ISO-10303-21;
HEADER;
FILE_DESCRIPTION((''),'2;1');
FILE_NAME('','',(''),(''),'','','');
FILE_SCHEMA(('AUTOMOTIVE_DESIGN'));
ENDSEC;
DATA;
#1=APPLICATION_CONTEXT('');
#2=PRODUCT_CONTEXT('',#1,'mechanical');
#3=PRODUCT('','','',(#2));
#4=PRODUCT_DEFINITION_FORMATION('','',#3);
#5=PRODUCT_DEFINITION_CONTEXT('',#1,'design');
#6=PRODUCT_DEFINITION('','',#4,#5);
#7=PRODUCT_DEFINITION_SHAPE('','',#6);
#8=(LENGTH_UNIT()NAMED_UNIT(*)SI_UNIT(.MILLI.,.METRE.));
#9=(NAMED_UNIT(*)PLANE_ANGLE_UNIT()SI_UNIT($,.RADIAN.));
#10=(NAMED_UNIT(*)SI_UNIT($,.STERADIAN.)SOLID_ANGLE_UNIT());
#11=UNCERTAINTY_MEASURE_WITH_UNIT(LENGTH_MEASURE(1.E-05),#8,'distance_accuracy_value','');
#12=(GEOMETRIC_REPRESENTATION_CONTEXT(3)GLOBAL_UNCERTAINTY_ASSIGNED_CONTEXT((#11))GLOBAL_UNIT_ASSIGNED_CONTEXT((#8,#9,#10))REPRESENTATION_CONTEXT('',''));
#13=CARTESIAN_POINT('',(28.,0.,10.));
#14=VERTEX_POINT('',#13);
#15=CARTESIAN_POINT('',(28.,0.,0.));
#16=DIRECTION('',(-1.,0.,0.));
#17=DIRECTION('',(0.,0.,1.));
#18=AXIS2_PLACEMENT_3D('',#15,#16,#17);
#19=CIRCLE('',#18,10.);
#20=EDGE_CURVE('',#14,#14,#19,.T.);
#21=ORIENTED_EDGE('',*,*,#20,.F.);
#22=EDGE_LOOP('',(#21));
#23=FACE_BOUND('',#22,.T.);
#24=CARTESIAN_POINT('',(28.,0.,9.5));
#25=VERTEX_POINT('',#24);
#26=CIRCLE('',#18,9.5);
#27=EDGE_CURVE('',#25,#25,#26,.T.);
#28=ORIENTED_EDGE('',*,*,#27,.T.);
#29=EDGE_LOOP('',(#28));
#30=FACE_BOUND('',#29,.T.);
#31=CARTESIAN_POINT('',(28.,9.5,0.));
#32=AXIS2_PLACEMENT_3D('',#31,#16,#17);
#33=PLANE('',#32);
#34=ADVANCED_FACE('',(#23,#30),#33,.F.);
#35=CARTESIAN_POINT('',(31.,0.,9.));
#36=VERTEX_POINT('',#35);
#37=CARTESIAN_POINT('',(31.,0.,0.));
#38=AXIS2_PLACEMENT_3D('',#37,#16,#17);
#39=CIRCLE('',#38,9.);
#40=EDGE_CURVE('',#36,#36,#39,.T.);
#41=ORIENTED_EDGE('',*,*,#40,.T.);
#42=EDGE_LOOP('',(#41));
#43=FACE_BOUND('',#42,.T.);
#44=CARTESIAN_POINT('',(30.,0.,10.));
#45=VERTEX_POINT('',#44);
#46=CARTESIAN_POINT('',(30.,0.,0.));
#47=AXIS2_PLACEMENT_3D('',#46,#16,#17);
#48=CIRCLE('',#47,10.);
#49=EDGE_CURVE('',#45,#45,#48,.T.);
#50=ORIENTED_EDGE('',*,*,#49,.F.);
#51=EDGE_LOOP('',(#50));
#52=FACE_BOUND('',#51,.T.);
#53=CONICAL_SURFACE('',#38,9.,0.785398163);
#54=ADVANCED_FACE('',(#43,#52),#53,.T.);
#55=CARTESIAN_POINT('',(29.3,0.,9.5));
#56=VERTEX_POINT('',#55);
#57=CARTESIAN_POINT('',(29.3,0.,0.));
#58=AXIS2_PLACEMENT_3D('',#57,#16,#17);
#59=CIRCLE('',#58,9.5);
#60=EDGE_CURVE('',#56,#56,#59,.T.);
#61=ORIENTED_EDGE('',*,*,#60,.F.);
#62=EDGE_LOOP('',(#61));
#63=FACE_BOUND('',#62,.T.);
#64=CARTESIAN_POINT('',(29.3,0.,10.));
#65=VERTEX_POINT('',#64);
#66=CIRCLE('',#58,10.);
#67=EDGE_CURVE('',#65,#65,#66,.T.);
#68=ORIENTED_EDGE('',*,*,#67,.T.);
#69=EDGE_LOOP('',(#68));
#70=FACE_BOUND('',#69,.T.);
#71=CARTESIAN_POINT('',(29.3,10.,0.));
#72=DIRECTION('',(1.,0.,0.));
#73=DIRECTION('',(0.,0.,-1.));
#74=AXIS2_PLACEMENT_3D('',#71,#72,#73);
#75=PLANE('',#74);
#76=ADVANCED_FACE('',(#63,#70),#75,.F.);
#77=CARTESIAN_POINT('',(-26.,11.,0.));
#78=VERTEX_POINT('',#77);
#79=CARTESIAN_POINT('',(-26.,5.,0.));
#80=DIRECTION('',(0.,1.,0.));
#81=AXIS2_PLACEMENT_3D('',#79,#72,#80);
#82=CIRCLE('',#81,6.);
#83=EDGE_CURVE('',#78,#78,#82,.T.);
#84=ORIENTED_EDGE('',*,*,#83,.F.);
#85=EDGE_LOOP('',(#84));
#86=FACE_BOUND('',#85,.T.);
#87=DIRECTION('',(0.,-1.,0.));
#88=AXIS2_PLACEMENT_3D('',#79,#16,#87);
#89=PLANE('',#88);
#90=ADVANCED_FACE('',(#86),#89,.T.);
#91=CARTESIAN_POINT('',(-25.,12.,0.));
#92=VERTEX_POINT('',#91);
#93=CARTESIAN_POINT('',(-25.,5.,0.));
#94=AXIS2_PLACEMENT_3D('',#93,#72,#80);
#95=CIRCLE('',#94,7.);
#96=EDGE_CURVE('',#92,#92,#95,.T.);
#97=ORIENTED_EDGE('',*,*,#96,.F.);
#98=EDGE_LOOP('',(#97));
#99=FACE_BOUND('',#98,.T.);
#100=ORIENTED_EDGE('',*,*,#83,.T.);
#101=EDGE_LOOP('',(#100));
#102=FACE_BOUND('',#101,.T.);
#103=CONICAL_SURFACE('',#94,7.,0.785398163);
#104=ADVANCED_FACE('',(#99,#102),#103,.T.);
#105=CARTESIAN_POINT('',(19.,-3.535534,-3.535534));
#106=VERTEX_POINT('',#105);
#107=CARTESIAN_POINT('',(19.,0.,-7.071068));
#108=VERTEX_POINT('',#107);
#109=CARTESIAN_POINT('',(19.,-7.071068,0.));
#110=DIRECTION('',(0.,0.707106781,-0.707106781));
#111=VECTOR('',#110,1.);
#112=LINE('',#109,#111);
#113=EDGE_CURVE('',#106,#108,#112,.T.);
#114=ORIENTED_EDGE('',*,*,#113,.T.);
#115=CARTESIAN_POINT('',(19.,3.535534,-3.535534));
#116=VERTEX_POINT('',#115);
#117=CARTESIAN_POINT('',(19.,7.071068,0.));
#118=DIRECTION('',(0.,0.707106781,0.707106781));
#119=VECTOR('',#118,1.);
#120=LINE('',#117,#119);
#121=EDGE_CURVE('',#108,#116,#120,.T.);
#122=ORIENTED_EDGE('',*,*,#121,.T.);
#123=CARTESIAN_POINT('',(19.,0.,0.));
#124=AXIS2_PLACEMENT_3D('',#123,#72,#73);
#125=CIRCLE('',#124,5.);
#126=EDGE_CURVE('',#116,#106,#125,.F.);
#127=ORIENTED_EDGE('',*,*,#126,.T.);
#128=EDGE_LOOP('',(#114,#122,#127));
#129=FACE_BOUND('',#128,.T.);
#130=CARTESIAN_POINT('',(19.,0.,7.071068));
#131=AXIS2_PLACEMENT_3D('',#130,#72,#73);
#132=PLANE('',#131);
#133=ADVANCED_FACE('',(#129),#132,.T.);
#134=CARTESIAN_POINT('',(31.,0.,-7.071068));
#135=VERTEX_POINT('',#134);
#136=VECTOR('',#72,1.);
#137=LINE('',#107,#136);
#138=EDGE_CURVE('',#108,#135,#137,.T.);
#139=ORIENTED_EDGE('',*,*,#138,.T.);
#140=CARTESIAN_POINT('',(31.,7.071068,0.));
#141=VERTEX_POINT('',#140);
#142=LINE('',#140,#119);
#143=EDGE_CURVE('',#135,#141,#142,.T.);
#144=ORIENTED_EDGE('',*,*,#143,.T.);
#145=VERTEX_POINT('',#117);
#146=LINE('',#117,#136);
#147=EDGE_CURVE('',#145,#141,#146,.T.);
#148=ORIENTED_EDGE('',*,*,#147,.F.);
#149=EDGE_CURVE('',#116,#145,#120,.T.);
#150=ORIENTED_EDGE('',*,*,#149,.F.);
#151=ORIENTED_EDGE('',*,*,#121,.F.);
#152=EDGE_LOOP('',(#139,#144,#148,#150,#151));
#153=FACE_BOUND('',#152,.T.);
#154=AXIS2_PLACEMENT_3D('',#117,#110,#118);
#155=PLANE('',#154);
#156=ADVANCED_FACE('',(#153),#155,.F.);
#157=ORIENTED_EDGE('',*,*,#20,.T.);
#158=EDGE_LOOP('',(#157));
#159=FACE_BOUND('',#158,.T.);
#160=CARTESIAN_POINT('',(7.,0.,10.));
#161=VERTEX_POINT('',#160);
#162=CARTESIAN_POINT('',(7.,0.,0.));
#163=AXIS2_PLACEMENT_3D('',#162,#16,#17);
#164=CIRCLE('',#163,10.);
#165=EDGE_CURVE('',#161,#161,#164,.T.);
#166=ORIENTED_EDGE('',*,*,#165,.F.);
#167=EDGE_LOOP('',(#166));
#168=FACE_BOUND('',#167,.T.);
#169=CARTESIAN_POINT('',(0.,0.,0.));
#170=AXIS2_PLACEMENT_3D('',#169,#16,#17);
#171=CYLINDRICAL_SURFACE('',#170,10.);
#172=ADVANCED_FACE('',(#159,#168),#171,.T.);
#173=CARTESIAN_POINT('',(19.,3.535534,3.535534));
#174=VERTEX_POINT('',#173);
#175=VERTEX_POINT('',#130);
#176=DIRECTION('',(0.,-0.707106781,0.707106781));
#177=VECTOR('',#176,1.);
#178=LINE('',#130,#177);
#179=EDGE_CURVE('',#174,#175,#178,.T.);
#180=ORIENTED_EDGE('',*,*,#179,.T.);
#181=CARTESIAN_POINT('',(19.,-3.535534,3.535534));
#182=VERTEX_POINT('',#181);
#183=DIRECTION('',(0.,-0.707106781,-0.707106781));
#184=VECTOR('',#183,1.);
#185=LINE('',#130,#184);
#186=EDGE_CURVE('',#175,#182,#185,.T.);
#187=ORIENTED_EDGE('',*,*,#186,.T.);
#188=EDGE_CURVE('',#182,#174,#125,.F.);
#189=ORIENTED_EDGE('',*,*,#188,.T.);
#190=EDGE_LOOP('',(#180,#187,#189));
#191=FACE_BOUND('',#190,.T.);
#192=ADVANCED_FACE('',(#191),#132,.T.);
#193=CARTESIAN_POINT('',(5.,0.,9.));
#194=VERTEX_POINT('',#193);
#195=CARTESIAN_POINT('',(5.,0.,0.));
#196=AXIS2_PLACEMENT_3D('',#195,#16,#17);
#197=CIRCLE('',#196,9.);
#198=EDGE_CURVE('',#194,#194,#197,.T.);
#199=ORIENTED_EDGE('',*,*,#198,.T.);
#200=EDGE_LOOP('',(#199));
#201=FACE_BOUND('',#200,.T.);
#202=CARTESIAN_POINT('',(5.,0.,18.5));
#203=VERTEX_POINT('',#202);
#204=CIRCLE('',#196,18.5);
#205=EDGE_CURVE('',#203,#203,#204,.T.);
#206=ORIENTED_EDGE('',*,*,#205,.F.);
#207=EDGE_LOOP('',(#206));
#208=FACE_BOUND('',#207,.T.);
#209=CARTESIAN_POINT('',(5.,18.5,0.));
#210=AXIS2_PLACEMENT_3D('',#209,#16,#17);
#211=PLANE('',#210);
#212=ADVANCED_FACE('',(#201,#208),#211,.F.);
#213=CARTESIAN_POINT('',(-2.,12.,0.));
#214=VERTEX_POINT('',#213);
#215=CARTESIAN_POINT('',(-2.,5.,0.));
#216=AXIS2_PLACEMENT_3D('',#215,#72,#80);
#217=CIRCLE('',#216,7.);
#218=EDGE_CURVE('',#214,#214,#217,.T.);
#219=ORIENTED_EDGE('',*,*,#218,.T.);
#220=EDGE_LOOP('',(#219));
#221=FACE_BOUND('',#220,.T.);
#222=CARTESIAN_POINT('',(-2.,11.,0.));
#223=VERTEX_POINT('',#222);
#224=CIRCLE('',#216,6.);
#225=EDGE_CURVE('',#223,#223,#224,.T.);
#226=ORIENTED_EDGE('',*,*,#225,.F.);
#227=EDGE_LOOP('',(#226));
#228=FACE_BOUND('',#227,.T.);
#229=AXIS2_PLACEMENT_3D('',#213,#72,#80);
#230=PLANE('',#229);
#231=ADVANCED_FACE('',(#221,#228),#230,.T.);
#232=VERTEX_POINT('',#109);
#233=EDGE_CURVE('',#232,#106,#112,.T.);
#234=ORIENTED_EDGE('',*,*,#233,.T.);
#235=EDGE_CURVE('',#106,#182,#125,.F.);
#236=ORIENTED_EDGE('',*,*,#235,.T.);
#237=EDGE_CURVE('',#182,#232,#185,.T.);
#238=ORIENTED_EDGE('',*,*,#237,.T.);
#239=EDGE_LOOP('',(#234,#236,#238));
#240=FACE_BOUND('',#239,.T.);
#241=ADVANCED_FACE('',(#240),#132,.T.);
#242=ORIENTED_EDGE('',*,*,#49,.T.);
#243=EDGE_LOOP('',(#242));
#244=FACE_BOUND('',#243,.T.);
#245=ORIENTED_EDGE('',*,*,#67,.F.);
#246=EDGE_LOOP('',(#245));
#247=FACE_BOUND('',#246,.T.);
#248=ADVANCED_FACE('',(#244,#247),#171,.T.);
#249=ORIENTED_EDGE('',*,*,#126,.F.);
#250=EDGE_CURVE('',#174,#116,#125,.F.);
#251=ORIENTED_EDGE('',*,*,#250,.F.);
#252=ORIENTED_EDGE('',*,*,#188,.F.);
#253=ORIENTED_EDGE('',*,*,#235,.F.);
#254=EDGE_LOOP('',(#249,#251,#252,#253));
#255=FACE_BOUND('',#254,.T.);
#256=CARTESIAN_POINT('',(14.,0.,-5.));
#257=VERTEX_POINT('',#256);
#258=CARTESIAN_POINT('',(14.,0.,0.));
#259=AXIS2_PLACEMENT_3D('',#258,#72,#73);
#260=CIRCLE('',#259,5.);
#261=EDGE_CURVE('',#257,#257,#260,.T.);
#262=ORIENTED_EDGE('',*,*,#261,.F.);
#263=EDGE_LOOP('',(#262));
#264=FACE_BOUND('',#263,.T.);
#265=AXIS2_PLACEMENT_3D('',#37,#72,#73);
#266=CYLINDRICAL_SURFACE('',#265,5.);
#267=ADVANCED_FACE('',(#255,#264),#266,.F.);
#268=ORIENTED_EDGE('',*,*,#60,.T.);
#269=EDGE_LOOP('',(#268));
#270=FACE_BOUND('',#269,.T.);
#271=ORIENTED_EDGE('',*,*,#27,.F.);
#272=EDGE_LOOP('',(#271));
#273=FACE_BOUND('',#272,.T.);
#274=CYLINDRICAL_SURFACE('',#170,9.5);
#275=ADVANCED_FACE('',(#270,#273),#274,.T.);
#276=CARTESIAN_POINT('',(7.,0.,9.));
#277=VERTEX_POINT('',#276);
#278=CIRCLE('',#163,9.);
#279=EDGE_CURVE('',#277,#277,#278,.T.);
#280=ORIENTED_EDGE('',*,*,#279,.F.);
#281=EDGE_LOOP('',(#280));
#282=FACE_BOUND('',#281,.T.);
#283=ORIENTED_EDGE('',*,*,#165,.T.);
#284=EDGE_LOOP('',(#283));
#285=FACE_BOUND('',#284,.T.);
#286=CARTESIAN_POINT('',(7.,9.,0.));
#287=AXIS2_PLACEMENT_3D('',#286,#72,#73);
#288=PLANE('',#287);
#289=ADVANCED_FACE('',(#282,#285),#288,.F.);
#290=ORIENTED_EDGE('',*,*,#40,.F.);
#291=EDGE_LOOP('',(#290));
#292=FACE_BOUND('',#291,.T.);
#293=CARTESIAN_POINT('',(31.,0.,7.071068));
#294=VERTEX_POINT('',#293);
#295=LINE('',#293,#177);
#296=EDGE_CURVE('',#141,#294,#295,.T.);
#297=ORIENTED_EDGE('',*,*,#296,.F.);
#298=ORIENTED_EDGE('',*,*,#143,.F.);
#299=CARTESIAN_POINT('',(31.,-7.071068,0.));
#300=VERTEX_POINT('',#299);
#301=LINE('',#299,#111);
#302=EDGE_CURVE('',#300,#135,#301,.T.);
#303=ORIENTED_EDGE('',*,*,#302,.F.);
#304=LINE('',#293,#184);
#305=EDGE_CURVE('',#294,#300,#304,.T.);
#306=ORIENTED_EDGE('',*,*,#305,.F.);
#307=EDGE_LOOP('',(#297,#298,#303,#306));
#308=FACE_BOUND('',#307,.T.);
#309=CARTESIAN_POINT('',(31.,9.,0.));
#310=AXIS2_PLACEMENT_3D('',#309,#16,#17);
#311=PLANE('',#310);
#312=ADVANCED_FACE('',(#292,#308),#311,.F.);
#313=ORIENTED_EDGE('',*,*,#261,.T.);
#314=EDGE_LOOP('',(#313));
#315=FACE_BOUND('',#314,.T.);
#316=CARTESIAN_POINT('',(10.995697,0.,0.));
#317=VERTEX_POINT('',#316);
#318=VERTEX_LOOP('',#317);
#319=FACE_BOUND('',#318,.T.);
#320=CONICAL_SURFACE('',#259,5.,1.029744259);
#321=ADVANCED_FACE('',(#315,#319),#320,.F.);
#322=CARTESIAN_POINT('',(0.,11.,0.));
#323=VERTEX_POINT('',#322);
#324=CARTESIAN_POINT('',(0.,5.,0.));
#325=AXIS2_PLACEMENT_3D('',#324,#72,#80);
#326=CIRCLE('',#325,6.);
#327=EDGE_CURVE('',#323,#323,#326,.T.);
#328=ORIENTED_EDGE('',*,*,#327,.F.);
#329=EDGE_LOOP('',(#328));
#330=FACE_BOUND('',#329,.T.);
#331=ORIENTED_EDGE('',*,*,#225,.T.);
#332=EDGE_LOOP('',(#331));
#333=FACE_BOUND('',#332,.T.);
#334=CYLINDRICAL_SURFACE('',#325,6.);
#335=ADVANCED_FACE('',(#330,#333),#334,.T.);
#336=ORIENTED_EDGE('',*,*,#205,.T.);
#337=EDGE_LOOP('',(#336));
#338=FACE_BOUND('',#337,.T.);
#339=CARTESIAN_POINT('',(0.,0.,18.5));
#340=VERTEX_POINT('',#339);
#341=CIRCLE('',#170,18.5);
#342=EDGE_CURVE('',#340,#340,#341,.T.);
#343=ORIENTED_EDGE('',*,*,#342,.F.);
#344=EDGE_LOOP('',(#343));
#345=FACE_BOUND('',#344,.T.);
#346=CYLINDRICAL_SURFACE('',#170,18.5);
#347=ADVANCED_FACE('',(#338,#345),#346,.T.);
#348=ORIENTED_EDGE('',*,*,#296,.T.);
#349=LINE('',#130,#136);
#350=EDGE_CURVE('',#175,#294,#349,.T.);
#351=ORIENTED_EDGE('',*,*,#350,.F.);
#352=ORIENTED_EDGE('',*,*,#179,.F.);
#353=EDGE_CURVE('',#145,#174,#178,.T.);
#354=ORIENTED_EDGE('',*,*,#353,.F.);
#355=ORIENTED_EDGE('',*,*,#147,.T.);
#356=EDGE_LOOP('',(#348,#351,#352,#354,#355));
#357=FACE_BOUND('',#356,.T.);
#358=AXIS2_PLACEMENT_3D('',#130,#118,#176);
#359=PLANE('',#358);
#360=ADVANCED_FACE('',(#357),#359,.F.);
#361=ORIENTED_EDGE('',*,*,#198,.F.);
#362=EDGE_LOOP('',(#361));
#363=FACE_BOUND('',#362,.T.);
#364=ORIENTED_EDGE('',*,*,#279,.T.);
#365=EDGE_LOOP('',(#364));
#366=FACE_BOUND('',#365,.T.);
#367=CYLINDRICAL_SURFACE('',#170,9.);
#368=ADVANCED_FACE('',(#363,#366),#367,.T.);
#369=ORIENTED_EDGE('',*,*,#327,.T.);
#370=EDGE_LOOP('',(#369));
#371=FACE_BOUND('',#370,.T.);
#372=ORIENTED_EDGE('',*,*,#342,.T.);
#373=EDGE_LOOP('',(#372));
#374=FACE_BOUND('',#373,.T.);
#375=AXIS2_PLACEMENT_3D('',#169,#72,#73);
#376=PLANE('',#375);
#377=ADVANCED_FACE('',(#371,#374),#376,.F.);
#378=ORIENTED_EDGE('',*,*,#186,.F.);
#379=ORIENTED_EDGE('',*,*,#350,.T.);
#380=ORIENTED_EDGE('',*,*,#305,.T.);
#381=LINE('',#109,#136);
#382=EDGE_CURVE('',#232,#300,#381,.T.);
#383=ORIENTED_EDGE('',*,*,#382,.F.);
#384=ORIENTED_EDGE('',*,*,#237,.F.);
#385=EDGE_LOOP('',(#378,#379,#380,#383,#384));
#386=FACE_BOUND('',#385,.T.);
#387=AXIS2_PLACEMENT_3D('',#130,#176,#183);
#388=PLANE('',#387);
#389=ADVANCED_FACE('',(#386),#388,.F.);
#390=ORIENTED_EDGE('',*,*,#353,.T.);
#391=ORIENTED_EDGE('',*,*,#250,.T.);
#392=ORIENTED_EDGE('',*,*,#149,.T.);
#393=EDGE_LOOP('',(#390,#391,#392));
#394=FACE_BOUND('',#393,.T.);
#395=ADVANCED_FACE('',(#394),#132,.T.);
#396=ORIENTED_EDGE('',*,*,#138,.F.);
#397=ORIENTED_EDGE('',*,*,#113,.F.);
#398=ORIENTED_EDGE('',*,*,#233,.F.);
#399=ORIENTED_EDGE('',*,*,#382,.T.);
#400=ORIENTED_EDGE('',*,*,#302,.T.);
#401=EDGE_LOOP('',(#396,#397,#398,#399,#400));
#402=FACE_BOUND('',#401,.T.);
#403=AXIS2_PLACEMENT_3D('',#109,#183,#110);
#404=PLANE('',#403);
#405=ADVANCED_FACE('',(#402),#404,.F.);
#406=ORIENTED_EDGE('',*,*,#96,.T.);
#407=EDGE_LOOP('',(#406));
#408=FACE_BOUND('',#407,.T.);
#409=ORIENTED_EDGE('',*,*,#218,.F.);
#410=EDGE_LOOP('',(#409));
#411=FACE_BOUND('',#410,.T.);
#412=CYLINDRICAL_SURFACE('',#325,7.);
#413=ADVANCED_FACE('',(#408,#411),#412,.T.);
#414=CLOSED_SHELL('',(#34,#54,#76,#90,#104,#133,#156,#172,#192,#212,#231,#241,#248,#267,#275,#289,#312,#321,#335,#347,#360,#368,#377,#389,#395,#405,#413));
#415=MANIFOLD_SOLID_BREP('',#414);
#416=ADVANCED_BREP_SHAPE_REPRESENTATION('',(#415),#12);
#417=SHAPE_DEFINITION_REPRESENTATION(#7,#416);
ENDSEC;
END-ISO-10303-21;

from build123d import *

# Parameters (mm, degrees)
PER_AGE5_D              = 10
PER_AGE5_DEPTH          = 17
PER_AGE5_TIP            = 3.004303095
ENL_V_MAT_EXTRU_1_DEPTH = 12


with BuildPart() as part:
    # Esquisse1 → Base-Révolution (revolve)
    with BuildSketch(Plane.XY, mode=Mode.PRIVATE) as base_r_volution_sk:
        Polygon((0, 0), (0, 18.5), (5, 18.5), (5, 9), (7, 9), (7, 10), (28, 10), (28, 9.5), (29.3, 9.5), (29.3, 10), (30, 10), (31, 9), (31, 0), align=None)
    revolve(base_r_volution_sk.sketch.rotate(Axis((0, 0, 0), (1, 0, 0)), 90), axis=Axis((0, 0, 0), (1, 0, 0)))

    # Esquisse2 → Boss.-Révol.1 (revolve)
    with BuildSketch(Plane.XY):
        Polygon((-26, 5), (-26, 11), (-25, 12), (-2, 12), (-2, 11), (0, 11), (0, 5), align=None)
    revolve(axis=Axis((0, 5, 0), (-1, 0, 0)))

    # Perçage5
    with Locations(Plane(origin=(31, 0, 0), x_dir=(0, 0, -1), z_dir=(1, 0, 0))):
        with Locations((0, 0)):
            Hole(PER_AGE5_D / 2, depth=PER_AGE5_DEPTH)
            with Locations((0, 0, -(PER_AGE5_DEPTH + PER_AGE5_TIP / 2))):  # 118° drill point
                Cone(0, PER_AGE5_D / 2, PER_AGE5_TIP, mode=Mode.SUBTRACT)

    # Esquisse5 → Enlèv. mat.-Extru.1 (cut)
    with BuildSketch(Plane(origin=(31, 0.918663762, 3.195352215), x_dir=(0, 0, -1), z_dir=(1, 0, 0))):
        Polygon((-3.875715597, -0.918663762), (3.195352215, 6.15240405), (10.266420027, -0.918663762), (3.195352215, -7.989731574), align=None)
    extrude(amount=-ENL_V_MAT_EXTRU_1_DEPTH, mode=Mode.SUBTRACT)


solid = part.part
